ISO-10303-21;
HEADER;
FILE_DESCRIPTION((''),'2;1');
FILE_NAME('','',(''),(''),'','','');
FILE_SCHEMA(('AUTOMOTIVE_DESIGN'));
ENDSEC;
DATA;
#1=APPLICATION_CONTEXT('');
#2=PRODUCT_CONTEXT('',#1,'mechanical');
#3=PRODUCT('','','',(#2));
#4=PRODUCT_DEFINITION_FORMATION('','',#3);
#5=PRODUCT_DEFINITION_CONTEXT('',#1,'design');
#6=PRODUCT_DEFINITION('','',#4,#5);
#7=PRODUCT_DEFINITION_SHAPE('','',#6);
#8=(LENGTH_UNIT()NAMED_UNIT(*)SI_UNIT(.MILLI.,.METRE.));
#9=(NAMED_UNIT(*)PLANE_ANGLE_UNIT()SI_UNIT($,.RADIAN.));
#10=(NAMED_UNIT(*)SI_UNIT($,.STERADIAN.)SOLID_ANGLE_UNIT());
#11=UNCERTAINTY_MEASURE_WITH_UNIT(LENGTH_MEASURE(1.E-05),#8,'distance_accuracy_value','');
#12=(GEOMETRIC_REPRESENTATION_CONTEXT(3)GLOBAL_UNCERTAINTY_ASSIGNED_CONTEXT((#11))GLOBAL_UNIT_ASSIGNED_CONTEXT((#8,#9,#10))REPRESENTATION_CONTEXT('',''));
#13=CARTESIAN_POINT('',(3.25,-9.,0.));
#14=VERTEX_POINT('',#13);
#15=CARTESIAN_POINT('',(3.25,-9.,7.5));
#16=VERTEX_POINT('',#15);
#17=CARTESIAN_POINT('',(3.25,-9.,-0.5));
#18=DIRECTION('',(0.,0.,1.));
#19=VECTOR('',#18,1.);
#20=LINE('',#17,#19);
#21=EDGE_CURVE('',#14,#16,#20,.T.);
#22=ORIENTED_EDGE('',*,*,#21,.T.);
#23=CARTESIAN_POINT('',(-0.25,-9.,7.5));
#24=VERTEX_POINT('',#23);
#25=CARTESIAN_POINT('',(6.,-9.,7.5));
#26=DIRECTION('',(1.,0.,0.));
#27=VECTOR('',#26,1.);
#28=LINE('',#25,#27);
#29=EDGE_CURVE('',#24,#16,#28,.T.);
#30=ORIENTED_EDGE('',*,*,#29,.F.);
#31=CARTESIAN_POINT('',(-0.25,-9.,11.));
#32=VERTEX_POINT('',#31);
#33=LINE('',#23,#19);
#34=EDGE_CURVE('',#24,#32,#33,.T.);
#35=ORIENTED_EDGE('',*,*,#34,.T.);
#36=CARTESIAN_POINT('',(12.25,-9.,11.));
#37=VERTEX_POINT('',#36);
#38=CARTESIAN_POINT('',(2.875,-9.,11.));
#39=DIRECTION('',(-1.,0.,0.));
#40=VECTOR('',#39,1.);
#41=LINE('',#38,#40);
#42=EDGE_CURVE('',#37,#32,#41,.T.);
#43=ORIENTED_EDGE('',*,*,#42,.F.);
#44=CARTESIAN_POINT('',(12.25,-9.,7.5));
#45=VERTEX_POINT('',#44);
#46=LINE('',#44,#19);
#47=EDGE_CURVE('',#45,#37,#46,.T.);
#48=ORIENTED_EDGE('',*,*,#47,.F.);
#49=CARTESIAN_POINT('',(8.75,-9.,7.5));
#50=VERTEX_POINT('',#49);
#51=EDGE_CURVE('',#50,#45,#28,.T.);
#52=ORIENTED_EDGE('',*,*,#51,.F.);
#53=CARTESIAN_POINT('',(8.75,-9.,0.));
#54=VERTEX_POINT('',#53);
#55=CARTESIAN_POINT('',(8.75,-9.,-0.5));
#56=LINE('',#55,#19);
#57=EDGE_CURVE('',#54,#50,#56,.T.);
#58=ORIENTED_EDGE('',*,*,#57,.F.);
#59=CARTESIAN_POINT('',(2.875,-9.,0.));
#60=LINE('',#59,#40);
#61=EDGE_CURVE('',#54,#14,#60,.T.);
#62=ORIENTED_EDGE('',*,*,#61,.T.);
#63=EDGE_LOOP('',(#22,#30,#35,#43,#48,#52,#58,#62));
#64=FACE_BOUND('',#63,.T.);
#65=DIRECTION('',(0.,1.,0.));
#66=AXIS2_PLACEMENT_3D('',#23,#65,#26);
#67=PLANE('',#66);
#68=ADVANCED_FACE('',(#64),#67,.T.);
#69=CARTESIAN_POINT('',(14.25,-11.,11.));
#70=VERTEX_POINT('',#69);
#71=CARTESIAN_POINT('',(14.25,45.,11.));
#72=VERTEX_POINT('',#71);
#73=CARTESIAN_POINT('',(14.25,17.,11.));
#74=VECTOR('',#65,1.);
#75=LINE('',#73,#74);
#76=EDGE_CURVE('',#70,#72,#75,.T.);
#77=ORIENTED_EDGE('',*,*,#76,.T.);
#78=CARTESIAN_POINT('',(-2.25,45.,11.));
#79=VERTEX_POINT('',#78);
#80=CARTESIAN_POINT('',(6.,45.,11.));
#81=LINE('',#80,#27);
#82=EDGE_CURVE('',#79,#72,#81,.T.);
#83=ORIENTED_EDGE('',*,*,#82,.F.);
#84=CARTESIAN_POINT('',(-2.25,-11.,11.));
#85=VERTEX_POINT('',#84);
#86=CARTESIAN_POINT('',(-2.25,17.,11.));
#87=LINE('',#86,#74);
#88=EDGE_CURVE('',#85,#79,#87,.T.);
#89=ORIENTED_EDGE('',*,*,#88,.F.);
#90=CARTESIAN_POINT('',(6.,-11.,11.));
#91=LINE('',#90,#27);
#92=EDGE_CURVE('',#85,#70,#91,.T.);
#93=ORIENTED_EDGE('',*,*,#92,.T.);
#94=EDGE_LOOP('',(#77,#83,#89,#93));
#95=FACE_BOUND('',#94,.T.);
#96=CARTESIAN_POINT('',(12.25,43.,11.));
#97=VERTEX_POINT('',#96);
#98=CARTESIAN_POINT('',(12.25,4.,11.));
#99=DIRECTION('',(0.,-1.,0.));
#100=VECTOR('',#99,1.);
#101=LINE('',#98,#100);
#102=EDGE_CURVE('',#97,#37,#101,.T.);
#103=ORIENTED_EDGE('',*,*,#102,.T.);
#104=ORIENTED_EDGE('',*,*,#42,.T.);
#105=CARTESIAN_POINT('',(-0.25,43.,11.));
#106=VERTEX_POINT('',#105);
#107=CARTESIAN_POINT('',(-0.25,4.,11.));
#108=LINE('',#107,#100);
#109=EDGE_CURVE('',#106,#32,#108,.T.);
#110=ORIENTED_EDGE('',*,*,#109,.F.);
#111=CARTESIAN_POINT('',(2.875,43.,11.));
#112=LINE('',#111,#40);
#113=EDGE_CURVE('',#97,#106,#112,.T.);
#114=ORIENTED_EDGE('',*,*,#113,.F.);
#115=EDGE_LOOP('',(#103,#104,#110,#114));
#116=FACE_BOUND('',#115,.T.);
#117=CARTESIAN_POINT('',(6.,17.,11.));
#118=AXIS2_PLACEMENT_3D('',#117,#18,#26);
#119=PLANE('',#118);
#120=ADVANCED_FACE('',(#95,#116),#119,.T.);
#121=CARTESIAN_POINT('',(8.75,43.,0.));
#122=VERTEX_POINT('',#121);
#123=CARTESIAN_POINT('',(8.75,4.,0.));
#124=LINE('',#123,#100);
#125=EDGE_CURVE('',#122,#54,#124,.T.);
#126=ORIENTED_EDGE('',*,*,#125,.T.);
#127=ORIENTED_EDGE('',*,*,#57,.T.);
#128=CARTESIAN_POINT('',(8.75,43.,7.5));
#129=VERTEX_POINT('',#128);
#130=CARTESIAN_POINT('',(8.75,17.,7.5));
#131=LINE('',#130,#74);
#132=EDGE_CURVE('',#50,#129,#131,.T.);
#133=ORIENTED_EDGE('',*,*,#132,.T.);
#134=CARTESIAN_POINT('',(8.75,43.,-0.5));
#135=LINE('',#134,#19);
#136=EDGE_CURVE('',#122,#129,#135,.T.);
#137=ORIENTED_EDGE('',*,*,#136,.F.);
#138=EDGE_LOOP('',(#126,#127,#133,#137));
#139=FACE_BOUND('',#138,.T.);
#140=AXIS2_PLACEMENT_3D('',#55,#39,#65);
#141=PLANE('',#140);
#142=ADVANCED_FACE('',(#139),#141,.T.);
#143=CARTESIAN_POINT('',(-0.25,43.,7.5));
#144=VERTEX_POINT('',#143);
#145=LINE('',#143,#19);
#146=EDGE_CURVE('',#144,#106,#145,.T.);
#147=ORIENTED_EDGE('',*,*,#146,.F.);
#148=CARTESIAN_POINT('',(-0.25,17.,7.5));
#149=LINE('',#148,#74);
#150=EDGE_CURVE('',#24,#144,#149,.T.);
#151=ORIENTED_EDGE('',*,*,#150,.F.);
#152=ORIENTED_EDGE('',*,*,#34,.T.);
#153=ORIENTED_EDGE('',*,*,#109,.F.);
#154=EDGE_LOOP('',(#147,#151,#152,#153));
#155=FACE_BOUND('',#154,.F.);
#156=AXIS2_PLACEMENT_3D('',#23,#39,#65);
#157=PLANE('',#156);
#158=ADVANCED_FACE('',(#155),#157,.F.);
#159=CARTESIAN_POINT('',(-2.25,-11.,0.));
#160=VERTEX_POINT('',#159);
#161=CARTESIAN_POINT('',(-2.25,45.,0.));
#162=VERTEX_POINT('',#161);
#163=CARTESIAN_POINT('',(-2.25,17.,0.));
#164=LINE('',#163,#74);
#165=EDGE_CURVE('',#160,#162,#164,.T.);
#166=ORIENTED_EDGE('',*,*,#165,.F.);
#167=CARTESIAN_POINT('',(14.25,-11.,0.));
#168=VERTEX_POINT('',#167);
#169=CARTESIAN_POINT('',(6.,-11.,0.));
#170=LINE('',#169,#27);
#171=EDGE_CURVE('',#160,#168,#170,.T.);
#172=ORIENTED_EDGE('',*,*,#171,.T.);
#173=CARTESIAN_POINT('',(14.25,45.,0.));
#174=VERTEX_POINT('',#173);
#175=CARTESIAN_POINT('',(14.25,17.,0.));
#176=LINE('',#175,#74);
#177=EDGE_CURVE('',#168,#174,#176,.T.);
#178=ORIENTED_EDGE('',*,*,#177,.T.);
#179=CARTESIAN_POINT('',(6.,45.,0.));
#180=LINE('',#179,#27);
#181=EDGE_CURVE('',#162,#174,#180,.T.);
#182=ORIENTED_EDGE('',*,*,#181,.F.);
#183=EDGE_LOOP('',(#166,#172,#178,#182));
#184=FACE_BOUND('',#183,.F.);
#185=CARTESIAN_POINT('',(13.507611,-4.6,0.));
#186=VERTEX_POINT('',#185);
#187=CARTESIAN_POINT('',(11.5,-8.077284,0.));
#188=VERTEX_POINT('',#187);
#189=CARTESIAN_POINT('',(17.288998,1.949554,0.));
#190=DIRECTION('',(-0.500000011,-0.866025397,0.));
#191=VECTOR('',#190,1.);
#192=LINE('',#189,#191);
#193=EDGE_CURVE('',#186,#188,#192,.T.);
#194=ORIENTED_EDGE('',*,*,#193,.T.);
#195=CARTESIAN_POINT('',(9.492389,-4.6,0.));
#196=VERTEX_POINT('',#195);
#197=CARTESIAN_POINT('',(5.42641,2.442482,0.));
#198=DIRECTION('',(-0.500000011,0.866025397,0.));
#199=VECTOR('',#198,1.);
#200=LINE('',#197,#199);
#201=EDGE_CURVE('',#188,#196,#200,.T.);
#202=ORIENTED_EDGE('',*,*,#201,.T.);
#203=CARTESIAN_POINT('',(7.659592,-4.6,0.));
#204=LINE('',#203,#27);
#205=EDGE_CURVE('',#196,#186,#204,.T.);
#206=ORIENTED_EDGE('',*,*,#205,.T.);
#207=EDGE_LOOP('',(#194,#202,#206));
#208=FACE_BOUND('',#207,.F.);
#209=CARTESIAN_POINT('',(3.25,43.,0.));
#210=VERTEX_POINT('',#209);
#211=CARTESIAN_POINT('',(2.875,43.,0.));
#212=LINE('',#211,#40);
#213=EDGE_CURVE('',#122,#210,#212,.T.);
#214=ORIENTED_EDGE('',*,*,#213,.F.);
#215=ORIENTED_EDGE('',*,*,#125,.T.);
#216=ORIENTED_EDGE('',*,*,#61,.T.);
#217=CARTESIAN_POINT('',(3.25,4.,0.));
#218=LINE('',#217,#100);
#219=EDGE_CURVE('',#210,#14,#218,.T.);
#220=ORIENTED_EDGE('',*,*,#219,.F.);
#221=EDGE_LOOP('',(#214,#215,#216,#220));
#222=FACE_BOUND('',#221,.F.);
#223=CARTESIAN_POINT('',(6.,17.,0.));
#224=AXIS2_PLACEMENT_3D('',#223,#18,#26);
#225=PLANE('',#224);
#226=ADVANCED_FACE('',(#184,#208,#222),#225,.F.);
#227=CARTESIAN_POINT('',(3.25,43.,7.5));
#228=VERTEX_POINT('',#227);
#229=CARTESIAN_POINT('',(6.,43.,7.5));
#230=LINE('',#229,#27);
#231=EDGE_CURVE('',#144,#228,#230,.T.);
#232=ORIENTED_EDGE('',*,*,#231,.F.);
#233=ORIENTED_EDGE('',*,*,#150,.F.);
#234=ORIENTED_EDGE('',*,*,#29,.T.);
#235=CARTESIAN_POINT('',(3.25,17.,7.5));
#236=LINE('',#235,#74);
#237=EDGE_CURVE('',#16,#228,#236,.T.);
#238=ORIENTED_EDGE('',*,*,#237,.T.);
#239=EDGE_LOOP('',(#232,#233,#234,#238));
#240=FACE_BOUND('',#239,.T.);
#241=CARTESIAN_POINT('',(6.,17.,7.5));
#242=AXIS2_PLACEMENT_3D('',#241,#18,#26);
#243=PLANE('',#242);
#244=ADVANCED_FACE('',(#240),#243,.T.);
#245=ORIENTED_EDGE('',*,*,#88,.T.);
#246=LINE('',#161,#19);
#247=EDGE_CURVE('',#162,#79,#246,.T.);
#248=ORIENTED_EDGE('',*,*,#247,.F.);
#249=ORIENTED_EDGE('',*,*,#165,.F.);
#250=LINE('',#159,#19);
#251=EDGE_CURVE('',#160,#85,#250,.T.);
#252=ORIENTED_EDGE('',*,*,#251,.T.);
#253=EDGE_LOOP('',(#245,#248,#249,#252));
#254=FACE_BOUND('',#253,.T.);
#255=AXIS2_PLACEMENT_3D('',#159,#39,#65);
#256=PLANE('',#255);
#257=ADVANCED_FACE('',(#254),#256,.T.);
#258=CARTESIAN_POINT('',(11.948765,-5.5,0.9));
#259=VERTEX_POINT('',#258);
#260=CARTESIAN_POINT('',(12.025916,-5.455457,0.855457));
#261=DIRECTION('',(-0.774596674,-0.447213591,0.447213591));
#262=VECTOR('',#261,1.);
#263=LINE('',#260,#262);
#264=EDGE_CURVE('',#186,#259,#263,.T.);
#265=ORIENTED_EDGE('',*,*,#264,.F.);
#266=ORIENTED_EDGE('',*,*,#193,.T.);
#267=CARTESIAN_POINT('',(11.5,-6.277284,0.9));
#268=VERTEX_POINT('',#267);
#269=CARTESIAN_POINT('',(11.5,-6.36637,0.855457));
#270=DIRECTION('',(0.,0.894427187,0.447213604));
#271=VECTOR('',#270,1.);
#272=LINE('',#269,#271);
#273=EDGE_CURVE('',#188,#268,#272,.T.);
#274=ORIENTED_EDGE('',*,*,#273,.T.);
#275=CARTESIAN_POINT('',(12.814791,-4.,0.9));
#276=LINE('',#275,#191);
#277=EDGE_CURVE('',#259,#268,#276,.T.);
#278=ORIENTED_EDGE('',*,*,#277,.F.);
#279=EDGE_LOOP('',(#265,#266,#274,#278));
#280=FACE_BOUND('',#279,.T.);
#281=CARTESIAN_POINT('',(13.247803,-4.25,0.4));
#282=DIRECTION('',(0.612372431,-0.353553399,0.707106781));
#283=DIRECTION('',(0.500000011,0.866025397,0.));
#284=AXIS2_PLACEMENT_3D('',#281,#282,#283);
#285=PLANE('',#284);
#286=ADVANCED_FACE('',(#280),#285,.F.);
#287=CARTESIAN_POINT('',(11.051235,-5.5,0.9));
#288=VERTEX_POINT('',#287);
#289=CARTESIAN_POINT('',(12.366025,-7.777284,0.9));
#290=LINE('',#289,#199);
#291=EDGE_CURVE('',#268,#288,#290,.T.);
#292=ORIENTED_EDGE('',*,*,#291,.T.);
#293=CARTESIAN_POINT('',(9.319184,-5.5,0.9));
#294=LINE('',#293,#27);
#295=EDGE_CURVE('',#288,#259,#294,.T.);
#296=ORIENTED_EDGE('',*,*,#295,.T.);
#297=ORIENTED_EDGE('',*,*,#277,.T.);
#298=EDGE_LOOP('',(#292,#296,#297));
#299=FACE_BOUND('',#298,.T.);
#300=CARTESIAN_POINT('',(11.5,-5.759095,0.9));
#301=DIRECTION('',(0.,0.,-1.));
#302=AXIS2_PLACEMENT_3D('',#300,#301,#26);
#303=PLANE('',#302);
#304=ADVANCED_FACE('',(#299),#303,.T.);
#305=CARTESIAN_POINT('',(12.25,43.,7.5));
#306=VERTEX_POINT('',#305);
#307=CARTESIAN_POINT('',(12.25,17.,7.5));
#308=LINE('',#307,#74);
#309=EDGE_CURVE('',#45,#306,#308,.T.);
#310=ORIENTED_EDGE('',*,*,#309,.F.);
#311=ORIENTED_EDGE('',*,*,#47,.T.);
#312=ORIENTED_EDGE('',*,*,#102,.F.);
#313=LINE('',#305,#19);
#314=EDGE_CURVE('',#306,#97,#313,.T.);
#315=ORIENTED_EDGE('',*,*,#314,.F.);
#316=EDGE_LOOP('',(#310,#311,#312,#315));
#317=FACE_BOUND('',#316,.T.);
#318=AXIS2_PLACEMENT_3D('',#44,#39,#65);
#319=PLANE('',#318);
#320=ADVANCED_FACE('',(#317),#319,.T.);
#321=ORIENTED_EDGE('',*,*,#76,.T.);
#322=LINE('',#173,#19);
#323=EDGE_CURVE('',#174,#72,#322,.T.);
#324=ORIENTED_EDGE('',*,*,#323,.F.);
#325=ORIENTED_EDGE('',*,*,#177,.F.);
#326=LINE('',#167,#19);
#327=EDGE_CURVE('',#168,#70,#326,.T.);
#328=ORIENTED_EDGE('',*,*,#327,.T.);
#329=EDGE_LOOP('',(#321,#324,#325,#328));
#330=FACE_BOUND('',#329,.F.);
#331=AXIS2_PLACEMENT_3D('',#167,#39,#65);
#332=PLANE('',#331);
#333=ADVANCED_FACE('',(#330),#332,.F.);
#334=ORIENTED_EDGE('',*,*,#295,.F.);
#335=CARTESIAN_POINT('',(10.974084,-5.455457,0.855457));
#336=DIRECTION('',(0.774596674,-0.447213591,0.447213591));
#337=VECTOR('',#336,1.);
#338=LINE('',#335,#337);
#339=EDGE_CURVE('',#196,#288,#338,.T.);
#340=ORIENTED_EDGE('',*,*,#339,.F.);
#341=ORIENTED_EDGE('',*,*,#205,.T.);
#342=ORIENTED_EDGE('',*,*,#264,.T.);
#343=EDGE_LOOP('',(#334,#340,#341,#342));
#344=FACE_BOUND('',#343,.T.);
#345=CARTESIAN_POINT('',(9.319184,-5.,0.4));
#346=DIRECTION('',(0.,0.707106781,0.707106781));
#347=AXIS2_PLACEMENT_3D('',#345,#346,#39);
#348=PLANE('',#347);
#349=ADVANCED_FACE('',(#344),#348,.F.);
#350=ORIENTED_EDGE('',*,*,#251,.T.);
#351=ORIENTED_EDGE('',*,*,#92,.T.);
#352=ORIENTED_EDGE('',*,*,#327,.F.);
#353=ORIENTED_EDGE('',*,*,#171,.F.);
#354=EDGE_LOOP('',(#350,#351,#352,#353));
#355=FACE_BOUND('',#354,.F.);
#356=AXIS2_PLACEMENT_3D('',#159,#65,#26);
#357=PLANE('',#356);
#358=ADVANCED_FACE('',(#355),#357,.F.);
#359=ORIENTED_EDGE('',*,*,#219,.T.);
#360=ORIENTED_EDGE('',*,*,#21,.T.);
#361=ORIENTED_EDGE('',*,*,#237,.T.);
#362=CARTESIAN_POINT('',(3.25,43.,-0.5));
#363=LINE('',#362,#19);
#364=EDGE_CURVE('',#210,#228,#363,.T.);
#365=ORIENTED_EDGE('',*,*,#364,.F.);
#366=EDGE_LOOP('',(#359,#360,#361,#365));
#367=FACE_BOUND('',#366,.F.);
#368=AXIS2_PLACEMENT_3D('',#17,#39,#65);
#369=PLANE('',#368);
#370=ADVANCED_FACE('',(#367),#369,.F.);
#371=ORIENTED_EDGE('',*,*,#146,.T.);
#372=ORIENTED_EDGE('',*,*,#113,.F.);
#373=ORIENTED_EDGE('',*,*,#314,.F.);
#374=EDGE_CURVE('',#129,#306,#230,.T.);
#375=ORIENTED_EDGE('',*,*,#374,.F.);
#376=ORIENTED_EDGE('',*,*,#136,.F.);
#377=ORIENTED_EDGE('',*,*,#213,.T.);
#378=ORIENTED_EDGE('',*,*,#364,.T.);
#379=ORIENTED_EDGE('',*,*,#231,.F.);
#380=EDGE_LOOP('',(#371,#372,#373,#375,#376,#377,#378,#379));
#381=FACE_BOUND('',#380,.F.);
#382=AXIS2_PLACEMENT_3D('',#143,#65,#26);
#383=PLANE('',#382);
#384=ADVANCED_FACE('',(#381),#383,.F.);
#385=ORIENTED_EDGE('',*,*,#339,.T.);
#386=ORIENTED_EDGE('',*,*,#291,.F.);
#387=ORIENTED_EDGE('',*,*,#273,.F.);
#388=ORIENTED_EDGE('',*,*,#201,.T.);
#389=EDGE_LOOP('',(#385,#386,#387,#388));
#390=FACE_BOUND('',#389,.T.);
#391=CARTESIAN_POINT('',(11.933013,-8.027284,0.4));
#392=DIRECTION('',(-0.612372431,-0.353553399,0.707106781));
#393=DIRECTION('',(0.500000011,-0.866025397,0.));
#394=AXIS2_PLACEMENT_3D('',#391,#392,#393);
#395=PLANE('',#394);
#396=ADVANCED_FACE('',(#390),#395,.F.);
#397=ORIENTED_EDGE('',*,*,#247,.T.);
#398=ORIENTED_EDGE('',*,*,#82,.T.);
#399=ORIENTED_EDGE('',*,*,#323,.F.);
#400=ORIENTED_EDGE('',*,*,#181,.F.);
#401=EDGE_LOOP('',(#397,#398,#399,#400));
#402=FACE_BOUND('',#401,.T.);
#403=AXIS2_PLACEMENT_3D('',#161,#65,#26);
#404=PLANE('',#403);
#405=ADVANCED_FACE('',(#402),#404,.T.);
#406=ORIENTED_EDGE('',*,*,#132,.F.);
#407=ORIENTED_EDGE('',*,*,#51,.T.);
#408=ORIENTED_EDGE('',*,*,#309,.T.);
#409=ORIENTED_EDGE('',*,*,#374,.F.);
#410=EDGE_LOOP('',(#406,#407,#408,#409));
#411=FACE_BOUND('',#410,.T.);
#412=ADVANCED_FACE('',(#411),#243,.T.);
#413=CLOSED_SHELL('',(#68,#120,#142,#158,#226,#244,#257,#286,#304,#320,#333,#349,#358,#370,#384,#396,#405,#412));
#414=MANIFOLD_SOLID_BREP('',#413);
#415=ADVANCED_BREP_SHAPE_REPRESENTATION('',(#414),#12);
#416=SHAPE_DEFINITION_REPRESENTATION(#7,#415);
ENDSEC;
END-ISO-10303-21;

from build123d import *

# Parameters (mm, degrees)
BOX022_W                   = 5.5
BOX022_H                   = 52
BOX022_DEPTH               = 8
PAD010_DEPTH               = 1.1
CHAMFER002_SIZE            = 1
CHAMFER002_PLACEMENT_ANGLE = 180
BOX021_W                   = 12.5
BOX021_H                   = 52
BOX021_DEPTH               = 4
BOX020_W                   = 16.5
BOX020_H                   = 56
BOX020_DEPTH               = 11


with BuildPart() as cube022:
    # Box022 → Box022 (new body)
    with BuildSketch(Plane(origin=(3.25, -9, -0.5), x_dir=(1, 0, 0), z_dir=(0, 0, 1))):
        with Locations((2.75, 26)):
            Rectangle(BOX022_W, BOX022_H)
    extrude(amount=BOX022_DEPTH)


with BuildPart() as chamfer002:
    # Sketch013 → Pad010 (new body)
    with BuildSketch(Plane.XY):
        Polygon((0, 20.777284), (-2.180816, 17), (2.180816, 17), align=None)
    extrude(amount=PAD010_DEPTH)

    # Chamfer002
    chamfer002_edges = [chamfer002.edges().sort_by_distance(p)[0] for p in [
        (-1.090408, 18.888642, 0),
        (0, 17, 0),
        (1.090408, 18.888642, 0),
    ]]
    chamfer(chamfer002_edges, length=CHAMFER002_SIZE)


with BuildPart() as chamfer002_1:
    # Chamfer002 placement: moved
    add(chamfer002.part.moved(Location((11.5, 12.5, 0.9))).rotate(Axis((11.5, 12.5, 0.9), (1, 0, 0)), CHAMFER002_PLACEMENT_ANGLE))


with BuildPart() as fusion012:
    # Box021 → Box021 (new body)
    with BuildSketch(Plane(origin=(-0.25, -9, 7.5), x_dir=(1, 0, 0), z_dir=(0, 0, 1))):
        with Locations((6.25, 26)):
            Rectangle(BOX021_W, BOX021_H)
    extrude(amount=BOX021_DEPTH)

    # Fusion012: union Cube022, Chamfer002
    add(cube022.part)
    add(chamfer002_1.part)


with BuildPart() as rasplightconninner:
    # Box020 → Box020 (new body)
    with BuildSketch(Plane(origin=(-2.25, -11, 0), x_dir=(1, 0, 0), z_dir=(0, 0, 1))):
        with Locations((8.25, 28)):
            Rectangle(BOX020_W, BOX020_H)
    extrude(amount=BOX020_DEPTH)

    # Cut023: cut Fusion012
    add(fusion012.part, mode=Mode.SUBTRACT)


solid = rasplightconninner.part
